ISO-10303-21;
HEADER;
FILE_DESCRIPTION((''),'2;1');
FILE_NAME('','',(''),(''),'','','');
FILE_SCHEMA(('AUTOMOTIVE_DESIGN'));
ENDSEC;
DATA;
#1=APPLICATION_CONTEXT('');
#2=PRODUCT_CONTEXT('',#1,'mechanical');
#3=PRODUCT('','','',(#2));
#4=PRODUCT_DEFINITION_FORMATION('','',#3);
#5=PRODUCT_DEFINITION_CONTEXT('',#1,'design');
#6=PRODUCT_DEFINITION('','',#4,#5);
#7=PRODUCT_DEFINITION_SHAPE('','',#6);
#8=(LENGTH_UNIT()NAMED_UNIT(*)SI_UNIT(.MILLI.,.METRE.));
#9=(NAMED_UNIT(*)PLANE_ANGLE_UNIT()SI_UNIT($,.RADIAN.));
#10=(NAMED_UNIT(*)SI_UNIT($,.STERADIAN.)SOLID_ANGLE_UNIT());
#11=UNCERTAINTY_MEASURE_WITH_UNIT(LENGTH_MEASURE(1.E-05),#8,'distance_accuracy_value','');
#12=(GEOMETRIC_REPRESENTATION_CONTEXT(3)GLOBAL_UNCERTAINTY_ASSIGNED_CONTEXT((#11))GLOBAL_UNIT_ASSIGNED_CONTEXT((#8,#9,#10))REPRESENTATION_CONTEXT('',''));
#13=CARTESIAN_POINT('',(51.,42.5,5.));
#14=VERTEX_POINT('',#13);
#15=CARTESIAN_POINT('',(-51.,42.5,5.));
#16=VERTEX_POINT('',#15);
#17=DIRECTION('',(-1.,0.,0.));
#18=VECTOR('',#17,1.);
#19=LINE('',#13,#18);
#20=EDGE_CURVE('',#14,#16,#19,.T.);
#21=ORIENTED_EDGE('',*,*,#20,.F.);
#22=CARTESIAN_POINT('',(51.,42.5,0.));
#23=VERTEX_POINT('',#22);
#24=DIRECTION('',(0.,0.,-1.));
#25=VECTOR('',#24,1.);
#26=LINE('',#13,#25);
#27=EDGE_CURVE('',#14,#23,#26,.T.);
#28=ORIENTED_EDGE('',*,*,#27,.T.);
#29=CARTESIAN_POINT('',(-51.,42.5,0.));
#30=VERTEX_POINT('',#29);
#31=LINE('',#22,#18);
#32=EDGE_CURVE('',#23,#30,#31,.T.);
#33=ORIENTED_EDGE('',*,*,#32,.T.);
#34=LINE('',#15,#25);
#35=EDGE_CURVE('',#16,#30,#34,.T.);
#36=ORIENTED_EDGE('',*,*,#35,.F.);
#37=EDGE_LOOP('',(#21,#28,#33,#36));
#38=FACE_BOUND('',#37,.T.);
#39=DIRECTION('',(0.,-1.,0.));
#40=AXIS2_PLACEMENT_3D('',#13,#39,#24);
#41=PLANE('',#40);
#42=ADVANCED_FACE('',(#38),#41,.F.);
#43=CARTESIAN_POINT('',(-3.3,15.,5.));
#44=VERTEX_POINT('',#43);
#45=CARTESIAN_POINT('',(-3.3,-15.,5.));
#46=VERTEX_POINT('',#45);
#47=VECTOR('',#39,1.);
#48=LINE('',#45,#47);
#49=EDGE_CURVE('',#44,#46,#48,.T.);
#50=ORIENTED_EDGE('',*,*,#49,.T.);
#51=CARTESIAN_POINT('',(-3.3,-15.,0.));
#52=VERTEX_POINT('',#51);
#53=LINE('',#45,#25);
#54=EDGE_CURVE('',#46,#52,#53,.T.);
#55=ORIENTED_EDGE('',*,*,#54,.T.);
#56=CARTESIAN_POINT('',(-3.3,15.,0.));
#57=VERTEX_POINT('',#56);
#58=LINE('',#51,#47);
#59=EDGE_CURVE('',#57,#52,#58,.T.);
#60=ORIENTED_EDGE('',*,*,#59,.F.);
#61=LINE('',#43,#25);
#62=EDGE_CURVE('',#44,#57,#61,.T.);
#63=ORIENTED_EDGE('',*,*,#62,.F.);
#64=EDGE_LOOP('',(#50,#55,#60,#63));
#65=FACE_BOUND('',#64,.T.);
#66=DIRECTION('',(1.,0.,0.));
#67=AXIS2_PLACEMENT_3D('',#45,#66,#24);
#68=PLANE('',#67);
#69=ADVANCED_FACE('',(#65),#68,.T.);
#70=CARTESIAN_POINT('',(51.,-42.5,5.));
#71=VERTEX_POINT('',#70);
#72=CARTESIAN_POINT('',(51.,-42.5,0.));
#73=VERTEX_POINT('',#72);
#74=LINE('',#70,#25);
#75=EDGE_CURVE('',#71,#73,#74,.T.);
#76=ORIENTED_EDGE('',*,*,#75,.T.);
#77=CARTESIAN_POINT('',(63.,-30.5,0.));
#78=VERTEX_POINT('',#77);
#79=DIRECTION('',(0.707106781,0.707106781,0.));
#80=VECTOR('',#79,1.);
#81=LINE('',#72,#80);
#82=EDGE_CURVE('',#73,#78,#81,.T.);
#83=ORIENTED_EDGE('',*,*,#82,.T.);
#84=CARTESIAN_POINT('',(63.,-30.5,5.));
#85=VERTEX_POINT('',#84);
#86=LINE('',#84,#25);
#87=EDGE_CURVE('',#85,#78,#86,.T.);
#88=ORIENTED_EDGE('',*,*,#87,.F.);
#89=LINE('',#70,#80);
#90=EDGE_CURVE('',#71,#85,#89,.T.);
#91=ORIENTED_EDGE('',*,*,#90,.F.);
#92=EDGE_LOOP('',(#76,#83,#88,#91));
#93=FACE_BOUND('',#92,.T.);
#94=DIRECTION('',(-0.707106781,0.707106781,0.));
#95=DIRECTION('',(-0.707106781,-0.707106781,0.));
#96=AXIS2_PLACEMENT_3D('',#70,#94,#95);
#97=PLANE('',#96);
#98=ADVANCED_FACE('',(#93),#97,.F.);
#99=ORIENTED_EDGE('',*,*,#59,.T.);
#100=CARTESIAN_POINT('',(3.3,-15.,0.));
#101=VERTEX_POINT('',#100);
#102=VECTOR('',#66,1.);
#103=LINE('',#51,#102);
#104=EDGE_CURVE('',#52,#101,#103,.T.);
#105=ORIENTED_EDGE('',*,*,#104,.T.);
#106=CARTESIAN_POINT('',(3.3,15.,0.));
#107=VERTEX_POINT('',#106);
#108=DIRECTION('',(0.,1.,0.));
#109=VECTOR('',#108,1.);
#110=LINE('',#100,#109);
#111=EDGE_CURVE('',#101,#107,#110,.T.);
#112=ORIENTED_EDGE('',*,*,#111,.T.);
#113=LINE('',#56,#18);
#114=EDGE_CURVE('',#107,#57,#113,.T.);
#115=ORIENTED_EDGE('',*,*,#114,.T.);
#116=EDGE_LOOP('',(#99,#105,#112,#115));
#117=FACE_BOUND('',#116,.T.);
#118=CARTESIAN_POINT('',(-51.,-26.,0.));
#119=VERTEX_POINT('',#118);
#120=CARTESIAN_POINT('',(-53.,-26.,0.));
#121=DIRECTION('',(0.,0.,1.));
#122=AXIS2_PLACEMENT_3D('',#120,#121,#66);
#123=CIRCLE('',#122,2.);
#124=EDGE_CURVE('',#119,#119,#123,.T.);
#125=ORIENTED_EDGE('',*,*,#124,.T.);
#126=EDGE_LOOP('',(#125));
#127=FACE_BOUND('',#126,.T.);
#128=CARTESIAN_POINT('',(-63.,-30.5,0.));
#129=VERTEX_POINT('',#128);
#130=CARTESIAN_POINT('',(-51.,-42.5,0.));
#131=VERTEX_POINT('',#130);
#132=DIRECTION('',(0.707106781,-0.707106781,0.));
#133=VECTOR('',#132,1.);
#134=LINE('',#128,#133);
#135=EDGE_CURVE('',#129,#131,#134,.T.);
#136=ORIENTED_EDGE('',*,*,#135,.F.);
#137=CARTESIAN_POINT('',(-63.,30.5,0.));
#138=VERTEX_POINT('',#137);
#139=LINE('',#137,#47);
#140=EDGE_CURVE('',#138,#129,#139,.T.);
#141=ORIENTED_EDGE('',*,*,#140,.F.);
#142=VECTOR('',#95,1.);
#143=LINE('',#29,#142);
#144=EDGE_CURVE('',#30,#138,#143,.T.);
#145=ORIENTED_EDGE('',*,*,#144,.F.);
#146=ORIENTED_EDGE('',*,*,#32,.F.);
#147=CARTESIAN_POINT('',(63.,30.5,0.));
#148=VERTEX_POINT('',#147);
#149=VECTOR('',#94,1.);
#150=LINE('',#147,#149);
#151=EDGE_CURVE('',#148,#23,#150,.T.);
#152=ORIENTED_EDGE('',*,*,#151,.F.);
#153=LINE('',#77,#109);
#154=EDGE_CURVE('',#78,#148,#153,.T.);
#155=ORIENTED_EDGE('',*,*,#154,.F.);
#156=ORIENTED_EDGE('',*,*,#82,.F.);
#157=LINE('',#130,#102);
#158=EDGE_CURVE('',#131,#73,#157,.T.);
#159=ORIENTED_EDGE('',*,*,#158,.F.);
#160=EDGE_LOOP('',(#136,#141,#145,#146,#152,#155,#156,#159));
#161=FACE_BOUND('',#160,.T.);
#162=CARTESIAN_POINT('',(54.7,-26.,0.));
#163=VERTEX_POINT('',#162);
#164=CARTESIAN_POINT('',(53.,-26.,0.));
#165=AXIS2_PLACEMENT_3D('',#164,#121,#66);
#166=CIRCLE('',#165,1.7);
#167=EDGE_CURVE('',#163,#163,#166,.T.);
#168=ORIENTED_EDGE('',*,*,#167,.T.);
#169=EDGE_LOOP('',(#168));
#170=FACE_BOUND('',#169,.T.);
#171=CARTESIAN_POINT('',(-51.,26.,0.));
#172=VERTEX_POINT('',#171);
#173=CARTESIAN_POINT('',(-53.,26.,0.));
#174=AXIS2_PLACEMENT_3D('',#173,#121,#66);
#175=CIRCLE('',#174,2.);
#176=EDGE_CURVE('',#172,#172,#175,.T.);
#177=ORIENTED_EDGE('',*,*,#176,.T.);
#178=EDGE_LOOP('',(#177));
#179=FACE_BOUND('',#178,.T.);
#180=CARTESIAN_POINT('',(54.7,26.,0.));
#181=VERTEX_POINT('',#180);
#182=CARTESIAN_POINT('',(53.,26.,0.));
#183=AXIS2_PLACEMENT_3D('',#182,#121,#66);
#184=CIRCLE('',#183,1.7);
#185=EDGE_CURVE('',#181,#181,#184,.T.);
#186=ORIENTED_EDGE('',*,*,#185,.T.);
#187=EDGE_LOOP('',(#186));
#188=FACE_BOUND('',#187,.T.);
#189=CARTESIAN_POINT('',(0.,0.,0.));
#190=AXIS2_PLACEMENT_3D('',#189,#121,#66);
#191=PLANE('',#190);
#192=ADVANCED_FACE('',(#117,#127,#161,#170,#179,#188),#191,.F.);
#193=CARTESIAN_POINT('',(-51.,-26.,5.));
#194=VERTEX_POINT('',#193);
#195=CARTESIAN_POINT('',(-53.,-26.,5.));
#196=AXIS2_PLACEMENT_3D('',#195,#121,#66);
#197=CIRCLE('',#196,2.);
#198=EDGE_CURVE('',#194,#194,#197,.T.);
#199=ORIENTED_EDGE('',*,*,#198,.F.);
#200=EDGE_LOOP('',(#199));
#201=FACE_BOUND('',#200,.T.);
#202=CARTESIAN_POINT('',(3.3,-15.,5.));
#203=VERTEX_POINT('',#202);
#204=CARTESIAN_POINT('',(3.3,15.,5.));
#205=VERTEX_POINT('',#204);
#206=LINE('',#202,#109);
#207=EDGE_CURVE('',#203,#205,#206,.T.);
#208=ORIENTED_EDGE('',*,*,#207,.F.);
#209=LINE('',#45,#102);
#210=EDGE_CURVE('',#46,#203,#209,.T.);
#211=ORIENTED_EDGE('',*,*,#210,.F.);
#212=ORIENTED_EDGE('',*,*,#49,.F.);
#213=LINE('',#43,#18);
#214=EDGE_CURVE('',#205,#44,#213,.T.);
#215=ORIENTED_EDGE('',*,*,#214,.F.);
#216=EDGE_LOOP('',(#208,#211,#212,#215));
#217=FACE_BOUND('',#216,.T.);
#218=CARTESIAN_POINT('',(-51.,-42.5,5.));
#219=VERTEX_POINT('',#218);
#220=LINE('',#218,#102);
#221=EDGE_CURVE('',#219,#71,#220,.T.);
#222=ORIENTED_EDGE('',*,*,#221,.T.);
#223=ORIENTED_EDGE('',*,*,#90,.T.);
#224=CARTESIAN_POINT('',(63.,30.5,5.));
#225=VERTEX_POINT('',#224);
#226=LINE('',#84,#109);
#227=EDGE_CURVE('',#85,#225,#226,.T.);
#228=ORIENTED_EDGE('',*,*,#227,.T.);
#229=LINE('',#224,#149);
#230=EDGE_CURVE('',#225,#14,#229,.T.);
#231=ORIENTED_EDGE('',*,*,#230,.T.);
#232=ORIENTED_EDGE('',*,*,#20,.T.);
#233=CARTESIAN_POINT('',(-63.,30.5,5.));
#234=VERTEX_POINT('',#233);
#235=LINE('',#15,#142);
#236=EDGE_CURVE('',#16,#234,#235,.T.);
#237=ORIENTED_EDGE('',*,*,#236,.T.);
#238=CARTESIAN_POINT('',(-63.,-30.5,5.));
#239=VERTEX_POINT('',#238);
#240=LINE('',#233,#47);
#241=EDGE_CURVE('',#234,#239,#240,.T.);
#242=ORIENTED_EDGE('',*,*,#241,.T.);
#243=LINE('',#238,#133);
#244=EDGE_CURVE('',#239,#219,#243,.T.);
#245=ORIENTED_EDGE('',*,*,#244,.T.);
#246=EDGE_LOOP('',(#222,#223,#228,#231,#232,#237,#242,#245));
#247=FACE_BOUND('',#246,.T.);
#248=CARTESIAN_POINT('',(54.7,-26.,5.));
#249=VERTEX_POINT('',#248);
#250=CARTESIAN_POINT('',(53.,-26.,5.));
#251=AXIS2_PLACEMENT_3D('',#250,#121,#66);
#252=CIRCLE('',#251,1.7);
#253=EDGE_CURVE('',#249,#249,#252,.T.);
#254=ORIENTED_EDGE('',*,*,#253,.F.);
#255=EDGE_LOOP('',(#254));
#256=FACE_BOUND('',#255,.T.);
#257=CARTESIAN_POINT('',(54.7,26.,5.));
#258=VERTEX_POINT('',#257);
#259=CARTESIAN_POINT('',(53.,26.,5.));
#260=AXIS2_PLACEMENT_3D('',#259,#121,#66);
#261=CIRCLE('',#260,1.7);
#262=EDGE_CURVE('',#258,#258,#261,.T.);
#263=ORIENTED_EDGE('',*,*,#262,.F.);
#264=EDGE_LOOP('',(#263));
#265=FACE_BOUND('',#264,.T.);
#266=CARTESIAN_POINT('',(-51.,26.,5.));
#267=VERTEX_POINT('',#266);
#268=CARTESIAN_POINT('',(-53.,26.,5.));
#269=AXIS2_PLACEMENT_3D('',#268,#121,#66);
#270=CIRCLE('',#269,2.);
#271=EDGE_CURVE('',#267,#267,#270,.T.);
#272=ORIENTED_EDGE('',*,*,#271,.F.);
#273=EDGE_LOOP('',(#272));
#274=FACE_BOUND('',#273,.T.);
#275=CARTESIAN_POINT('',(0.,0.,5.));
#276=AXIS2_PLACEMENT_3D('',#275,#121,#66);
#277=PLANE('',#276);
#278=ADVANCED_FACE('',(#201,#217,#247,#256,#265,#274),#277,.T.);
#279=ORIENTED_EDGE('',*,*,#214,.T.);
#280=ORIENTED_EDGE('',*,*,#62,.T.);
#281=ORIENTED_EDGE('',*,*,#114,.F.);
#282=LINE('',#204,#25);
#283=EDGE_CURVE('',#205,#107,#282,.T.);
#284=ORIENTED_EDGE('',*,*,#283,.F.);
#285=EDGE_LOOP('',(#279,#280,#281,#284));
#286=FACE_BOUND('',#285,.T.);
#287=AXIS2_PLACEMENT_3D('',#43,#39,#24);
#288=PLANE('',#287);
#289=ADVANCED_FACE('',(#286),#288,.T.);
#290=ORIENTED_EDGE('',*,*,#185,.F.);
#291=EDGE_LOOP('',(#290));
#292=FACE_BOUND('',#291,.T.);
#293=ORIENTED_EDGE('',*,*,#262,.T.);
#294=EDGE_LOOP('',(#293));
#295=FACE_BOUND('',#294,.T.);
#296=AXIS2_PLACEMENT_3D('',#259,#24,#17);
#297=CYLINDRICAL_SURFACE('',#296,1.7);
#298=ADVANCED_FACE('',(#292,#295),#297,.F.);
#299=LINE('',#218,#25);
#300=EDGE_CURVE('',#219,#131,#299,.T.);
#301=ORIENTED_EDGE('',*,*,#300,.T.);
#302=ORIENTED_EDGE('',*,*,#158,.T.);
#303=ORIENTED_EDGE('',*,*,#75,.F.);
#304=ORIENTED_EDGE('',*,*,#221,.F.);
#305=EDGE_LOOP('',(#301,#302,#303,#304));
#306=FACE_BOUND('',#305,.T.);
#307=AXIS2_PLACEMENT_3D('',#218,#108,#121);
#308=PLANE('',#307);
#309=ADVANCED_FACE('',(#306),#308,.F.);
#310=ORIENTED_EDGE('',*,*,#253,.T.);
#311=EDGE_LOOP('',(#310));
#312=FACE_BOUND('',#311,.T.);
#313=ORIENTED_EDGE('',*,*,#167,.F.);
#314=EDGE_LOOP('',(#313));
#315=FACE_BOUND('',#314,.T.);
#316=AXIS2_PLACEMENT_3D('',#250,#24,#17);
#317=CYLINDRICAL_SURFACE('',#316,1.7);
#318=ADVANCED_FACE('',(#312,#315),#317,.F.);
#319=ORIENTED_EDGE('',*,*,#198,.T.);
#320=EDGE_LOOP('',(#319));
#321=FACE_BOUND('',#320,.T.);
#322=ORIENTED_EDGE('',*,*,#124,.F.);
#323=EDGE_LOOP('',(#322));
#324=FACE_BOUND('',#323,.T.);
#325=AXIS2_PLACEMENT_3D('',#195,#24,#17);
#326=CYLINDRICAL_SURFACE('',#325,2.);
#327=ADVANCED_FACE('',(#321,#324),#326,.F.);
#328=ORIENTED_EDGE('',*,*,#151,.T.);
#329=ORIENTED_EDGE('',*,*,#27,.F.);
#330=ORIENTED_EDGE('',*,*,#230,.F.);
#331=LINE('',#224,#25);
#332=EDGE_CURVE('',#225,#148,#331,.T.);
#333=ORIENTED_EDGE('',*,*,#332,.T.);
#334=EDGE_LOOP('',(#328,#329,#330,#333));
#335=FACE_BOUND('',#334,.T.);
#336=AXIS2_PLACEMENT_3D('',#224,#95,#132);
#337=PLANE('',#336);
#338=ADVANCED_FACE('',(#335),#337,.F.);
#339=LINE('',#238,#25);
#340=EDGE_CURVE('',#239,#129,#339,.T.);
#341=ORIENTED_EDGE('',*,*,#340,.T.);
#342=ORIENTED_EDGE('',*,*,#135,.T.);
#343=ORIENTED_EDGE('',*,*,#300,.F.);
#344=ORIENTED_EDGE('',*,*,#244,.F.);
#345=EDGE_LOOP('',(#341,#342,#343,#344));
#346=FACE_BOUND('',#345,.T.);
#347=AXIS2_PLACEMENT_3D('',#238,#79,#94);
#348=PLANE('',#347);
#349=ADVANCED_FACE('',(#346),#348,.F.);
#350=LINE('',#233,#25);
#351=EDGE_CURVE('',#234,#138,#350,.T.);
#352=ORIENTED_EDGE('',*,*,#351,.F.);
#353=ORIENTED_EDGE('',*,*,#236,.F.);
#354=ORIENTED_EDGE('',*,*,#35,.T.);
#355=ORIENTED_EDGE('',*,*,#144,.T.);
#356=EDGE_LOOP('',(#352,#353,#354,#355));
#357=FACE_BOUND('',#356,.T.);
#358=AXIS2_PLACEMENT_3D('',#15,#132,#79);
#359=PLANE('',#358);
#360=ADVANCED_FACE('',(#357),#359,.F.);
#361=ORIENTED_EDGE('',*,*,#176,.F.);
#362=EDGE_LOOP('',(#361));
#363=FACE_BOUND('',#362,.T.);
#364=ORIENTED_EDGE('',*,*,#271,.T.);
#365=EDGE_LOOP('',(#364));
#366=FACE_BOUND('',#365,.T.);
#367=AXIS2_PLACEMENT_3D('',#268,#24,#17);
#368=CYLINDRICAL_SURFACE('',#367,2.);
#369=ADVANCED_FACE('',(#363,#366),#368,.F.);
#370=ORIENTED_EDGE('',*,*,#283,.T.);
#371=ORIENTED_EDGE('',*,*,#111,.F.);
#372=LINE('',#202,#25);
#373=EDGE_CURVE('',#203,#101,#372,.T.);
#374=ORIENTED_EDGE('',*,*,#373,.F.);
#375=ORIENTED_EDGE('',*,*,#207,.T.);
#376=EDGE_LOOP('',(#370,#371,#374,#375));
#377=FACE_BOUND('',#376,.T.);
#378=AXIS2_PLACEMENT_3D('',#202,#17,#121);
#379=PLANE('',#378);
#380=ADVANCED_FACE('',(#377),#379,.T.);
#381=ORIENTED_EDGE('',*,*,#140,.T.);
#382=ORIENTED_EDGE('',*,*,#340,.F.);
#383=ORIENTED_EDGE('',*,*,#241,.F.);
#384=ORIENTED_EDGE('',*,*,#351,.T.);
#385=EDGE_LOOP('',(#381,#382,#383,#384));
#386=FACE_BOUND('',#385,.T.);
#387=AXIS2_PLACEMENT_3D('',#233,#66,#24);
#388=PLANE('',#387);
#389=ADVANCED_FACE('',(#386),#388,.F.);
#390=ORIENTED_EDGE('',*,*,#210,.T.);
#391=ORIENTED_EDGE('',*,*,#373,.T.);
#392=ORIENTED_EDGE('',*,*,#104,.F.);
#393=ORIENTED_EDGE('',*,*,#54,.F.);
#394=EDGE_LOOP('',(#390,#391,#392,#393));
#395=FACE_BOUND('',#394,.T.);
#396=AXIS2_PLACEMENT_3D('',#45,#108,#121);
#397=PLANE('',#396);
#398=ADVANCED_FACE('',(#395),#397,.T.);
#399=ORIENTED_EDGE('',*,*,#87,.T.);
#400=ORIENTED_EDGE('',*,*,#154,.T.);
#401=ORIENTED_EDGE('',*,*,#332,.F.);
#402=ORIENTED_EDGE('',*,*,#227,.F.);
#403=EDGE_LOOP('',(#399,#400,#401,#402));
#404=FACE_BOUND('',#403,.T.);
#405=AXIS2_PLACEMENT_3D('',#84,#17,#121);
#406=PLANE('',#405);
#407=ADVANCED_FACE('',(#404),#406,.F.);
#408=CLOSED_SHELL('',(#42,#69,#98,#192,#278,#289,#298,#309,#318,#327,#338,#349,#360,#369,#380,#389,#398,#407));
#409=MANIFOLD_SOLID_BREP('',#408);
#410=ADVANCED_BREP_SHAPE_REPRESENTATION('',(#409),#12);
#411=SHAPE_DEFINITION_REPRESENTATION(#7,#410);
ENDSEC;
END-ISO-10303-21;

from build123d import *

# Parameters (mm, degrees)
SKETCH_1_R                  = 2
SKETCH_1_R_2                = 1.7
SKETCH_1_W                  = 6.6
SKETCH_1_H                  = 30
F_09_C920_TRIPOD_TRAY_DEPTH = 5


with BuildPart() as part:
    # Эскиз1 → 09_C920_tripod_tray (new body)
    with BuildSketch(Plane.XY):
        Polygon((-51, -42.5), (51, -42.5), (63, -30.5), (63, 30.5), (51, 42.5), (-51, 42.5), (-63, 30.5), (-63, -30.5), align=None)
        with Locations((-53, -26)):
            Circle(SKETCH_1_R, mode=Mode.SUBTRACT)
        with Locations((-53, 26)):
            Circle(SKETCH_1_R, mode=Mode.SUBTRACT)
        with Locations((53, -26)):
            Circle(SKETCH_1_R_2, mode=Mode.SUBTRACT)
        with Locations((53, 26)):
            Circle(SKETCH_1_R_2, mode=Mode.SUBTRACT)
        Rectangle(SKETCH_1_W, SKETCH_1_H, mode=Mode.SUBTRACT)
    extrude(amount=F_09_C920_TRIPOD_TRAY_DEPTH)


solid = part.part
